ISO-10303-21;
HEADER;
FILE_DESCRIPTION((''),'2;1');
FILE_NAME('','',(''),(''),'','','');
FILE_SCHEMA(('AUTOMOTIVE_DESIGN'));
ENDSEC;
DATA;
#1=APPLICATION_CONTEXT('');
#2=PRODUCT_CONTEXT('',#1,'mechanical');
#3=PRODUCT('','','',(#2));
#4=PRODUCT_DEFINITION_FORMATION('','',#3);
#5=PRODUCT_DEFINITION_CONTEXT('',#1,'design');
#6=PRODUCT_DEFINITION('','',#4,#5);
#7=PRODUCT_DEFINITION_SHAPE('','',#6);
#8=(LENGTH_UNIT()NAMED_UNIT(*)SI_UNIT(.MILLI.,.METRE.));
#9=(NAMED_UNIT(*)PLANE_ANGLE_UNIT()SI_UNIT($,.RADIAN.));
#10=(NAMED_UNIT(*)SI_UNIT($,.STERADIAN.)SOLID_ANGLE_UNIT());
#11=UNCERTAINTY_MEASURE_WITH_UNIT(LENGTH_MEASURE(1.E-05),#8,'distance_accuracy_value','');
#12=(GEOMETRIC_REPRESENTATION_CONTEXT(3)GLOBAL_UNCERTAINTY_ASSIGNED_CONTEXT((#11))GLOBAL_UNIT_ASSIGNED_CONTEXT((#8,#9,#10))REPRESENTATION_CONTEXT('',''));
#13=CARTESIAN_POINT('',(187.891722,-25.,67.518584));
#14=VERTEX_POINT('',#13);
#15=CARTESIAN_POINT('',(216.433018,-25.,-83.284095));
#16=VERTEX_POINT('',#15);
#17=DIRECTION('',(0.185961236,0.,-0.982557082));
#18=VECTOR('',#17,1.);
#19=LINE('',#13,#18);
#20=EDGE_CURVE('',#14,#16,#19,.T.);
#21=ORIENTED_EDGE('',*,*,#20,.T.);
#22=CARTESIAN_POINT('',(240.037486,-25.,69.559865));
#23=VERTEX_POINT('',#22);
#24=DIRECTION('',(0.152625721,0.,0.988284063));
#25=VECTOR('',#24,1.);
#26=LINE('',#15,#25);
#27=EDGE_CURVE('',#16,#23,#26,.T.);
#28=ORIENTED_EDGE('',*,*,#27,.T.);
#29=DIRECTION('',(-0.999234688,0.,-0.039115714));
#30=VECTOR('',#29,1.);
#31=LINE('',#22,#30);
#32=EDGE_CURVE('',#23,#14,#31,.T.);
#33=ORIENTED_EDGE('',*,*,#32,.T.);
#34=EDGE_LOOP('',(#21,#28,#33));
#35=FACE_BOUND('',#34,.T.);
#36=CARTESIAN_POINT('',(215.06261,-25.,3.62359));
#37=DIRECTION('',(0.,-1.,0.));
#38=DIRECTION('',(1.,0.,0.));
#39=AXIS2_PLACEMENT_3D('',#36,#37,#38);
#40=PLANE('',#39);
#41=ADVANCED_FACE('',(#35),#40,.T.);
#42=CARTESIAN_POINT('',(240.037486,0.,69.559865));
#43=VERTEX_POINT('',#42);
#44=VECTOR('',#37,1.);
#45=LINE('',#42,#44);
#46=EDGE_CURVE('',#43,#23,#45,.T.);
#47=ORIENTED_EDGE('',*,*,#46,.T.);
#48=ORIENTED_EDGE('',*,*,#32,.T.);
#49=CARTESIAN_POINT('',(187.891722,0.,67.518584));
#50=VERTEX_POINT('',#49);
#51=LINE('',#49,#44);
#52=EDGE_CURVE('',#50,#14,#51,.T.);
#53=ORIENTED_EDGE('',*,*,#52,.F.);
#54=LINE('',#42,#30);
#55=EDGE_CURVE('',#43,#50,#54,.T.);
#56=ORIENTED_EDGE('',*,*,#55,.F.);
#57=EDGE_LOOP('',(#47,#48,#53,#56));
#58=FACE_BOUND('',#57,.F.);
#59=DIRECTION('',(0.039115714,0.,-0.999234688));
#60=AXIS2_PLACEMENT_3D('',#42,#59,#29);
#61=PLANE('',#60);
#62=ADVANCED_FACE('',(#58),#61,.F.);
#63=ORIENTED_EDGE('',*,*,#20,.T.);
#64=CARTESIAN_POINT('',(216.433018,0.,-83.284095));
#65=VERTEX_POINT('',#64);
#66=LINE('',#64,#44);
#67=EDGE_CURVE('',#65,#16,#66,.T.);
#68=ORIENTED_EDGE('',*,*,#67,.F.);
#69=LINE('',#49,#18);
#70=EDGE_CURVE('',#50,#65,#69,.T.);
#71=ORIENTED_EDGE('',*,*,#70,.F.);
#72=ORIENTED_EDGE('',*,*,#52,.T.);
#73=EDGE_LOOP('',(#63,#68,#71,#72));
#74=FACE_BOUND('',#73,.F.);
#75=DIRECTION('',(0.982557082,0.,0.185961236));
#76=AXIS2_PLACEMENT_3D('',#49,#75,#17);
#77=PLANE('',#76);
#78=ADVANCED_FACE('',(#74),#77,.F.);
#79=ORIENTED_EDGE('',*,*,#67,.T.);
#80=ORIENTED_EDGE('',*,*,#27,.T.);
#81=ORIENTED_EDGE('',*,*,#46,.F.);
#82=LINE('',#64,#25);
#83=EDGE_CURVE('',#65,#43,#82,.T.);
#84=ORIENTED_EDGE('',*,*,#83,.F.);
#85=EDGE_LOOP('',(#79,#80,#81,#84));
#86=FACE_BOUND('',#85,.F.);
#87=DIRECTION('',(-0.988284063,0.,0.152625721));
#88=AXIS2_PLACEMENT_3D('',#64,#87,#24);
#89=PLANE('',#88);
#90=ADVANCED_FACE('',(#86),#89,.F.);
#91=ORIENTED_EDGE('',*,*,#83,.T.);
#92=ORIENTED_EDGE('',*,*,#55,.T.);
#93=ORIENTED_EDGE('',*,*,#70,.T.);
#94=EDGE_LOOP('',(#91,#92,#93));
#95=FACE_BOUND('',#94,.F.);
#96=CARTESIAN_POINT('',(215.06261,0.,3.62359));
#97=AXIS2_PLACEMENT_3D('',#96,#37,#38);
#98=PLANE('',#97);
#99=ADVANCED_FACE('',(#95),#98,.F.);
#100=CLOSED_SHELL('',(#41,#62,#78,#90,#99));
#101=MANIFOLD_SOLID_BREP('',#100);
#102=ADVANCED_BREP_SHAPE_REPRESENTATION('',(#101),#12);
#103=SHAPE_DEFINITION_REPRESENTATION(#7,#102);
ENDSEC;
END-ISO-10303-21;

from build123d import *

# Parameters (mm, degrees)
F2_DEPTH = 25


with BuildPart() as f2:
    # F1 (on face) → F2 (new body)
    with BuildSketch(Plane.XZ):
        Polygon((187.891722, 67.518584), (216.433018, -83.284095), (240.037486, 69.559865), align=None)
    extrude(amount=F2_DEPTH)


solid = f2.part
